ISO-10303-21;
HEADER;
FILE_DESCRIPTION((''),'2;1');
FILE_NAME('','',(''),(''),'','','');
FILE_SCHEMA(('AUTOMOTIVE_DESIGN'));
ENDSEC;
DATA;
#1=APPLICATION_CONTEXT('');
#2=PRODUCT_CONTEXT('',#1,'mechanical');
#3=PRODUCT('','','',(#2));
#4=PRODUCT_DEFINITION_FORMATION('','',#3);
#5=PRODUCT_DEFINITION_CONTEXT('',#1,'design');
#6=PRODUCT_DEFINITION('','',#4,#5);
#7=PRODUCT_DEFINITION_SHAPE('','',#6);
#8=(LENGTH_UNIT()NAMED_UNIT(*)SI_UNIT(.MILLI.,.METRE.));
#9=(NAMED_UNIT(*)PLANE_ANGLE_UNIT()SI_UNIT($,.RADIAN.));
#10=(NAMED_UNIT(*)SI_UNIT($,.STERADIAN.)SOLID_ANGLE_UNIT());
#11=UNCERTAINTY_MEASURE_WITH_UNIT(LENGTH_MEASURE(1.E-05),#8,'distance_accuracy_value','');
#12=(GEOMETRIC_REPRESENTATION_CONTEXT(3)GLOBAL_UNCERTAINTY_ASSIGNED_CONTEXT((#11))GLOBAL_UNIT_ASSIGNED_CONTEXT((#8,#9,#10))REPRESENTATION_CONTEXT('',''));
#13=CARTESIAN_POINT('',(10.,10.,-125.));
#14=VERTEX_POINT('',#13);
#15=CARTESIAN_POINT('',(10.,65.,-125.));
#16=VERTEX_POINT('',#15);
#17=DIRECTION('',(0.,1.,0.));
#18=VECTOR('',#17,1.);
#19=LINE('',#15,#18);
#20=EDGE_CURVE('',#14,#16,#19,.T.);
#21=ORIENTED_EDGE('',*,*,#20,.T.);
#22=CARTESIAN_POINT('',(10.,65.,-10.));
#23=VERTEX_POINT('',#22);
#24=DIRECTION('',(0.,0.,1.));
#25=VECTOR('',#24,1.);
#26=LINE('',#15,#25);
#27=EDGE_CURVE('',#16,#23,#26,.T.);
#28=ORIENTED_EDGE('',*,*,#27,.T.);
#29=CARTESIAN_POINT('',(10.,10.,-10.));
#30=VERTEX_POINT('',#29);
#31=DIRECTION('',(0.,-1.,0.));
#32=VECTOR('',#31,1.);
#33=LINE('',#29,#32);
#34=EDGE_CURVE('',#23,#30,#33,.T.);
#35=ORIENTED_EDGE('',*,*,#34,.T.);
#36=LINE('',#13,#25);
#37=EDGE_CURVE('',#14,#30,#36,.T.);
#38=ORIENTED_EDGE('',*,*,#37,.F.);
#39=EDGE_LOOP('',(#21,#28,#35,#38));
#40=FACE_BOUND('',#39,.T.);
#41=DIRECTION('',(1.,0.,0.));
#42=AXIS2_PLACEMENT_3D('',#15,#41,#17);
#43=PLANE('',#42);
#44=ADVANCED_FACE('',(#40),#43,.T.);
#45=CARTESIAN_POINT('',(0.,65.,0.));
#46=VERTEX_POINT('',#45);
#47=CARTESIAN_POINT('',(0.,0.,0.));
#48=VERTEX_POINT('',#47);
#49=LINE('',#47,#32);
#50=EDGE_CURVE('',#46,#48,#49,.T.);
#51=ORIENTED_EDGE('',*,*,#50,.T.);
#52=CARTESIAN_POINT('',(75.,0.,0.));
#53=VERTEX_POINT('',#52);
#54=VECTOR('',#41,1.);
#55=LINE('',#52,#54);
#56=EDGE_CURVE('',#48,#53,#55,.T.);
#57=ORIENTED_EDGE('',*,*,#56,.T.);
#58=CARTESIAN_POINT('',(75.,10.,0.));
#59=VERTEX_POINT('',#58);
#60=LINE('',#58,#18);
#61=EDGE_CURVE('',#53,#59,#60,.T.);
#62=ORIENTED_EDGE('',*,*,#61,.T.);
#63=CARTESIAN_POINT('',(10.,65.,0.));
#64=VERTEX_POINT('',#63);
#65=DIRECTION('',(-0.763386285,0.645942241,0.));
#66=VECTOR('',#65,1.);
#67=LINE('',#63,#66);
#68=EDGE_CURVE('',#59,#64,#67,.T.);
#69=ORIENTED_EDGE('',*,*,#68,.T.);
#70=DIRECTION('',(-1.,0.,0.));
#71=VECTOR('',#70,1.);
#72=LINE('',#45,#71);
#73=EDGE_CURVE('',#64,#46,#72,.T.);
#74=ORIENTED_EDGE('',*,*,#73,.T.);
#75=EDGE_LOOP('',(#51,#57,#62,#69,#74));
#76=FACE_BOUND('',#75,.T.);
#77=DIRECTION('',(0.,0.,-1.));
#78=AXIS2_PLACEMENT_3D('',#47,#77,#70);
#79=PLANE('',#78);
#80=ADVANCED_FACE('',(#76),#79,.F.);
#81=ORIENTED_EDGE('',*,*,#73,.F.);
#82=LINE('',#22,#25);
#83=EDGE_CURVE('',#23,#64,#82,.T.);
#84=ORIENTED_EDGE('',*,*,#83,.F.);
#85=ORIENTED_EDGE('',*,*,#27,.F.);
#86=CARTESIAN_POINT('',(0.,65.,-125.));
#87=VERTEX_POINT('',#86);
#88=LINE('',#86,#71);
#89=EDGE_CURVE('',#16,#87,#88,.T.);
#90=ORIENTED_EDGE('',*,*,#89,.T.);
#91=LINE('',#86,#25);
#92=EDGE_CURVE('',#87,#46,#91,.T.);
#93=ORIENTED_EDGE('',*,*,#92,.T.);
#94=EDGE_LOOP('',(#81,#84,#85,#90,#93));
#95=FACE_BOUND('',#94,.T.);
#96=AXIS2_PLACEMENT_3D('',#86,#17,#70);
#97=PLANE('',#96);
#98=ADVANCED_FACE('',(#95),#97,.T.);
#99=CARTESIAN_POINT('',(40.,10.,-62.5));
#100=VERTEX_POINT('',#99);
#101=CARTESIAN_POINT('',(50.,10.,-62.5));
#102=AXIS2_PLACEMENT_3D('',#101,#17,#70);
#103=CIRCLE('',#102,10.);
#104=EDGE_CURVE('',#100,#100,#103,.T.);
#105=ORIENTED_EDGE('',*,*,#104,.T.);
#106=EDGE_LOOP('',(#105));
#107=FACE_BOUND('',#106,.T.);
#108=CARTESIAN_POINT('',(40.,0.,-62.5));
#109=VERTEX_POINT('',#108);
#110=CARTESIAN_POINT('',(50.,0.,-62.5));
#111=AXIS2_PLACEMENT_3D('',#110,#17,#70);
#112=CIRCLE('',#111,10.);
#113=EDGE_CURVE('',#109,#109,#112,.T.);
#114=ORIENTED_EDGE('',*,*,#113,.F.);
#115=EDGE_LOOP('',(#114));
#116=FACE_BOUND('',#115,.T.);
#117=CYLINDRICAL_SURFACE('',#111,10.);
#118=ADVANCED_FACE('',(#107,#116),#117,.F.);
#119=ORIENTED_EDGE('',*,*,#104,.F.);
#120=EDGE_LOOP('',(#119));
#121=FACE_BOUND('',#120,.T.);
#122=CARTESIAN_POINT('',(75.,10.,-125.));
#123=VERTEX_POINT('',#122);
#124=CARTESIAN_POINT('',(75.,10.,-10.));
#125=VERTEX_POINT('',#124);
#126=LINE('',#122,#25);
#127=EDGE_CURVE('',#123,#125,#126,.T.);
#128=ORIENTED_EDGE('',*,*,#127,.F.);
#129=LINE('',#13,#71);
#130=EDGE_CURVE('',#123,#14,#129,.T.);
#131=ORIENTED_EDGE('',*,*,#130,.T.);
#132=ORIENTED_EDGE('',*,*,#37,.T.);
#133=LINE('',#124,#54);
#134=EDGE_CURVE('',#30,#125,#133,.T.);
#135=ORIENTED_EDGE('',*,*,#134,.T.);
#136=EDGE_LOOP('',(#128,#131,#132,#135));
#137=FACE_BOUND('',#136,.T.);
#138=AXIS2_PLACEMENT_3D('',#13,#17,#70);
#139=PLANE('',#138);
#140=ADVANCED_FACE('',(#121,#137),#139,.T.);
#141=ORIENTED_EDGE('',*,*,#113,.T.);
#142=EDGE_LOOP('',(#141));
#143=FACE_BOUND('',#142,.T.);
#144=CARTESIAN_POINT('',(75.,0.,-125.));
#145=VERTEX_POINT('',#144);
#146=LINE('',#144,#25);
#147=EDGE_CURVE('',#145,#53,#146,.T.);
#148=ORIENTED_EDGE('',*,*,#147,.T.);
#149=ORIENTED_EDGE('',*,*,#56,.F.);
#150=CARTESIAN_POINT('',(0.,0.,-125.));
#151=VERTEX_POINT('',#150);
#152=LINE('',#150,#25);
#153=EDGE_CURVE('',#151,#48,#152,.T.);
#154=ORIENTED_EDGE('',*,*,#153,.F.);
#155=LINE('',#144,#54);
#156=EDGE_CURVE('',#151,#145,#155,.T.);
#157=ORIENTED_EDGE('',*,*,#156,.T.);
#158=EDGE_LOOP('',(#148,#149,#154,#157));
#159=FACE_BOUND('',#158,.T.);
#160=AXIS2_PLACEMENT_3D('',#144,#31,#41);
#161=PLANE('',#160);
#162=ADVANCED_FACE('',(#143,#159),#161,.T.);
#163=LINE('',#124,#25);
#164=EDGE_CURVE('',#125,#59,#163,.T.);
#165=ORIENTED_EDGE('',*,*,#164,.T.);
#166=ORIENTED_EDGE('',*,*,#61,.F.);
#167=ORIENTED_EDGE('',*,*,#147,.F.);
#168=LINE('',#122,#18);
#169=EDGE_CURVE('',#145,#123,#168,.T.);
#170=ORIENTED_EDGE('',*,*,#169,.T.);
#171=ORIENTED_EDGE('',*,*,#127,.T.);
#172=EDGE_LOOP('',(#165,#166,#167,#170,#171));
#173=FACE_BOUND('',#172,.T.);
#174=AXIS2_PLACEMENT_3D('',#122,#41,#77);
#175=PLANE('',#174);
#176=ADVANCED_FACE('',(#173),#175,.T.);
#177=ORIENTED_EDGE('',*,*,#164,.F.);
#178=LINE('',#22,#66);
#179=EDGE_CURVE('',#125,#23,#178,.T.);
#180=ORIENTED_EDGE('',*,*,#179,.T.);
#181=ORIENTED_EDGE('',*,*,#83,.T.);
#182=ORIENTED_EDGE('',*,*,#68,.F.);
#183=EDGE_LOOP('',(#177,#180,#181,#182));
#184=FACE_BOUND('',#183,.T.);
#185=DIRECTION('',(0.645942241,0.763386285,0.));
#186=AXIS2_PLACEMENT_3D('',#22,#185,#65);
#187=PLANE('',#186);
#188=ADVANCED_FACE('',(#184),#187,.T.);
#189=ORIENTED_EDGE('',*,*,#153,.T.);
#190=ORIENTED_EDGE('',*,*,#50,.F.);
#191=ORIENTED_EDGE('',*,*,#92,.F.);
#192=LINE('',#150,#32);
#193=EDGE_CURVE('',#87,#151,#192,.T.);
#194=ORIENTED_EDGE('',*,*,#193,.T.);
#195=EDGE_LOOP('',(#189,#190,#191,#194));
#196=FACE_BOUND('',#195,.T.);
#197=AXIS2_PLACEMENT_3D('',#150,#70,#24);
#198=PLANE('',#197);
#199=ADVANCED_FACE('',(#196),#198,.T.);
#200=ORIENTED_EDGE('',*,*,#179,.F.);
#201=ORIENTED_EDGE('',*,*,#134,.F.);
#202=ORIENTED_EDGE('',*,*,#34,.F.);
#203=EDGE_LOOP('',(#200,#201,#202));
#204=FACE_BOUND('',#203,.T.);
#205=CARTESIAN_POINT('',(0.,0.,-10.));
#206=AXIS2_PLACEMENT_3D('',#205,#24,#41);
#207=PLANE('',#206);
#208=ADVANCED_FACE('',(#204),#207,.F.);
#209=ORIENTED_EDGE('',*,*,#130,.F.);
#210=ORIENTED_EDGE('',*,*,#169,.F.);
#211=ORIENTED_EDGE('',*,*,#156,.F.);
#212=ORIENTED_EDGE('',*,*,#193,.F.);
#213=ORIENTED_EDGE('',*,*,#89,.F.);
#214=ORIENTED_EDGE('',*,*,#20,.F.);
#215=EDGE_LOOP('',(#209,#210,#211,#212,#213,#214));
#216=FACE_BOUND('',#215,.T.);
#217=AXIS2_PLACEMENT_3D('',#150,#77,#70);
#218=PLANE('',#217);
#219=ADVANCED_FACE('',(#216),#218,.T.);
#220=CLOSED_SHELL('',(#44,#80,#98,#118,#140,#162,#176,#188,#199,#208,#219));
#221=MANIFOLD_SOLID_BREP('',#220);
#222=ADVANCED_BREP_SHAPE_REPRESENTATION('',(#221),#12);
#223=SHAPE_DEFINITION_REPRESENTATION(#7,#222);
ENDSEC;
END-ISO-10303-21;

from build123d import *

# Parameters (mm, degrees)
DODANIE_WYCI_GNI_CIE1_DEPTH = 125
DODANIE_WYCI_GNI_CIE3_DEPTH = 10
SZKIC4_R                    = 10
WYTNIJ_WYCI_GNI_CIE1_DEPTH  = 10


with BuildPart() as part:
    # Szkic2 → Dodanie-wyciągnięcie1 (new body)
    with BuildSketch(Plane.XY):
        Polygon((0, 0), (0, 65), (10, 65), (10, 10), (75, 10), (75, 0), align=None)
    extrude(amount=-DODANIE_WYCI_GNI_CIE1_DEPTH)

    # Szkic3 → Dodanie-wyciągnięcie3 (add)
    with BuildSketch(Plane.XY):
        Polygon((10, 65), (75, 10), (10, 10), align=None)
    extrude(amount=-DODANIE_WYCI_GNI_CIE3_DEPTH)

    # Szkic4 → Wytnij-wyciągnięcie1 (cut)
    with BuildSketch(Plane(origin=(0, 10, 0), x_dir=(1, 0, 0), z_dir=(0, 1, 0))):
        with Locations(Location((50, 62.5, 0), (0, 0, 180))):
            Circle(SZKIC4_R)
    extrude(amount=-WYTNIJ_WYCI_GNI_CIE1_DEPTH, mode=Mode.SUBTRACT)


solid = part.part
